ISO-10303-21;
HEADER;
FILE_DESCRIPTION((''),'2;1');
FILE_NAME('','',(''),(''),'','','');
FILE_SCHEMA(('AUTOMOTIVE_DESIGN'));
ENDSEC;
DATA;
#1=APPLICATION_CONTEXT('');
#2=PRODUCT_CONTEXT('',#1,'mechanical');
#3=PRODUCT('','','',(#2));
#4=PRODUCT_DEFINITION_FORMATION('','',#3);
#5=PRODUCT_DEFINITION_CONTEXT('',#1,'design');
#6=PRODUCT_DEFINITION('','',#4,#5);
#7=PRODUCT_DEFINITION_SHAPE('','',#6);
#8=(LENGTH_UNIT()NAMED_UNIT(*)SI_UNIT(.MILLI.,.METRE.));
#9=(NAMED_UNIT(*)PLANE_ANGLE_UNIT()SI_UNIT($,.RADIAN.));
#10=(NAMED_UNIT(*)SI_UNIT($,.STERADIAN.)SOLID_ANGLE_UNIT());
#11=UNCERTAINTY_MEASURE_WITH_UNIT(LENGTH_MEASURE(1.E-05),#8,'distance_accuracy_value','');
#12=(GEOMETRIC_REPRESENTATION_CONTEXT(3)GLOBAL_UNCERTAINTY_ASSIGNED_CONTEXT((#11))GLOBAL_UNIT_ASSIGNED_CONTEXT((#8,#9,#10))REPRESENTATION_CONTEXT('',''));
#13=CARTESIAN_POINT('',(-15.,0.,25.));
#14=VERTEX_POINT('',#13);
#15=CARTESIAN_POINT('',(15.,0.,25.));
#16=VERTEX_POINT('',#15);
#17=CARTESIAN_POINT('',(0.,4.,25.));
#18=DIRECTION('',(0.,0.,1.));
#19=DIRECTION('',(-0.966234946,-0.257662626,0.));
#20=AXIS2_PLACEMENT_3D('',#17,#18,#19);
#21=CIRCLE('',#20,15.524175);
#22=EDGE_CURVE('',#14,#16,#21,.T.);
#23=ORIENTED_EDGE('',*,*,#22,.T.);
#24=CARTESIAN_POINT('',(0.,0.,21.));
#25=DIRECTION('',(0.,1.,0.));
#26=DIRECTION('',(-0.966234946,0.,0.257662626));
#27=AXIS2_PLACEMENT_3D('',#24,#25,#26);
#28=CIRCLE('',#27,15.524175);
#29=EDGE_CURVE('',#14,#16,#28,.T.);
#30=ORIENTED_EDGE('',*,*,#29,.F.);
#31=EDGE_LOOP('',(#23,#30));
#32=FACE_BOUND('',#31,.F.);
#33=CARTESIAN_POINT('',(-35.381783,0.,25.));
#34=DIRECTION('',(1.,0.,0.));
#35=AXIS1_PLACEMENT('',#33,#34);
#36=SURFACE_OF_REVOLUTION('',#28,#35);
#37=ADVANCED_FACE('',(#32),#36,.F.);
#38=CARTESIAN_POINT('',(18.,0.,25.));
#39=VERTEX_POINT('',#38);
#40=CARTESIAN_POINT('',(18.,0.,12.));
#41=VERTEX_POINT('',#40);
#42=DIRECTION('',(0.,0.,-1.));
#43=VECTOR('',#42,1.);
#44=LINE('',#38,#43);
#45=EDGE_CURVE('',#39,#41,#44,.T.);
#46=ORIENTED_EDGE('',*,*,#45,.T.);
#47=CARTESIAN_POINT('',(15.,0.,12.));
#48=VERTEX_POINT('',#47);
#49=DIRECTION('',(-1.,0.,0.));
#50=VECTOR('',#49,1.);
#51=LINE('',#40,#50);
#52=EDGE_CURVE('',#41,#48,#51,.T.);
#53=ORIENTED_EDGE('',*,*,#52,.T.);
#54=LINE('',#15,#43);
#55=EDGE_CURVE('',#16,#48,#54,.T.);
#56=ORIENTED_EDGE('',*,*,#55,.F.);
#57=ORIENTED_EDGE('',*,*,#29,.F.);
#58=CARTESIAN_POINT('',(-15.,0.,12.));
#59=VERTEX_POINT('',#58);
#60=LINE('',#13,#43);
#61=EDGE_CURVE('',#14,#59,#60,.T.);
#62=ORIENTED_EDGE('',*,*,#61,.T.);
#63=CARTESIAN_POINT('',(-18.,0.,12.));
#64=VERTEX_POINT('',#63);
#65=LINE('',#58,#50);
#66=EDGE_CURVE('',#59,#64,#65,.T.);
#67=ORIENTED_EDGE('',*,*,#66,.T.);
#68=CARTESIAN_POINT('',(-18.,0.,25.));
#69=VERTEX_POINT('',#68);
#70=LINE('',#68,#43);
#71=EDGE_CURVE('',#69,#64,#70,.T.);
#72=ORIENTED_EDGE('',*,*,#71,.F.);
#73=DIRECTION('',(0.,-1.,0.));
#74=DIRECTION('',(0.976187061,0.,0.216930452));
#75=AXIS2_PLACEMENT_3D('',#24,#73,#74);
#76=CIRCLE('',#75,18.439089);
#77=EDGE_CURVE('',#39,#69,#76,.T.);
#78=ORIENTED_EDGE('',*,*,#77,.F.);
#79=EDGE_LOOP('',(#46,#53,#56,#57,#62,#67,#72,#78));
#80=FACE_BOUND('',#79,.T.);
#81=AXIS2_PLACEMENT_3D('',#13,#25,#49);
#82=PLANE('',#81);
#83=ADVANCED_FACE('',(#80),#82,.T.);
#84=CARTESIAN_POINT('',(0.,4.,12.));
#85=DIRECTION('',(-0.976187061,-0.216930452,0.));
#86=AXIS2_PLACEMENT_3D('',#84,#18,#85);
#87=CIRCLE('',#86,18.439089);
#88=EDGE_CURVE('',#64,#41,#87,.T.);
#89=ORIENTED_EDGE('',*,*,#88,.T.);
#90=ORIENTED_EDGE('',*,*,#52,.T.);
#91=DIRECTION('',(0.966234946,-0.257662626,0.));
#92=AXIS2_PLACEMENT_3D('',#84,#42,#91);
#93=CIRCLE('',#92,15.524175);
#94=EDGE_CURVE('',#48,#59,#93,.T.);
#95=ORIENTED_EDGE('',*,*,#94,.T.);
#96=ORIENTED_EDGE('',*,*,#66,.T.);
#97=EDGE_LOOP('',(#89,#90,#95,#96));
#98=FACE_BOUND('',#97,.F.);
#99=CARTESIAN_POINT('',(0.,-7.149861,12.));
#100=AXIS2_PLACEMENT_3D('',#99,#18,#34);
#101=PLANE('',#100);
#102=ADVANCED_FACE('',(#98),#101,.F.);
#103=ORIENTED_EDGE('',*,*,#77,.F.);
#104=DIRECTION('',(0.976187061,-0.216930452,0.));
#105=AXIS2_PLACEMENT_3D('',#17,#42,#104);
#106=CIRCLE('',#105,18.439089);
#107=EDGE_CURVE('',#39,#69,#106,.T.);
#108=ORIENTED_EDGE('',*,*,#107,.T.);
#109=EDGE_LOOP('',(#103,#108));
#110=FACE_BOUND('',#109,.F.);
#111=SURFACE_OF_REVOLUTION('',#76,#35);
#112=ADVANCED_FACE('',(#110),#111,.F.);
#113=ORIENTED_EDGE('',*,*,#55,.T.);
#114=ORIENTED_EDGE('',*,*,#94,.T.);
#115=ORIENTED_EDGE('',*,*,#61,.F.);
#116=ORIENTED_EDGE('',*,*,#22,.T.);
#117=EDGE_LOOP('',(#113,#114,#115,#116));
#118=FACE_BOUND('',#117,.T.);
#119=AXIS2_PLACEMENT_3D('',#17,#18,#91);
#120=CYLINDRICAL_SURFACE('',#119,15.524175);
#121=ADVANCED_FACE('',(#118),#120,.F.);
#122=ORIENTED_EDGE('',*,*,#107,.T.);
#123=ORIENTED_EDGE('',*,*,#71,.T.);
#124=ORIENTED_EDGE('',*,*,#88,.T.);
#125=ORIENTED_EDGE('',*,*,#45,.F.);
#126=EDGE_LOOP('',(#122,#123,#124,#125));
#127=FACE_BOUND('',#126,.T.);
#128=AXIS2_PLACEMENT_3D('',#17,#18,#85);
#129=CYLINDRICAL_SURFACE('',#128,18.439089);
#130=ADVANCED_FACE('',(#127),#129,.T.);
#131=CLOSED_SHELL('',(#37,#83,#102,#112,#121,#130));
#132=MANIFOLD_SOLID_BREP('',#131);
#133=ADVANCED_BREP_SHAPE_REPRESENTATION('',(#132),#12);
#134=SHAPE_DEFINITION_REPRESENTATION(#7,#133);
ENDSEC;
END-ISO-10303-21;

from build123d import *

# Parameters (mm, degrees)
F2_ANGLE = -90
F4_DEPTH = 13


with BuildPart() as f2:
    # F1 (on Front) → F2 (revolve)
    with BuildSketch(Plane.XZ):
        with BuildLine():
            ThreePointArc((18, 25), (0, 39.439089), (-18, 25))
            Line((-18, 25), (-15, 25))
            ThreePointArc((-15, 25), (0, 36.524175), (15, 25))
            Line((15, 25), (18, 25))
        make_face()
    revolve(axis=Axis((-35.381783, 0, 25), (-1, 0, 0)), revolution_arc=F2_ANGLE)

    # F3 (on offset) → F4 (join)
    with BuildSketch(Plane.XY.offset(25)):
        with BuildLine():
            ThreePointArc((-18, 0), (0, -14.439089), (18, 0))
            Line((18, 0), (15, 0))
            ThreePointArc((15, 0), (0, -11.524175), (-15, 0))
            Line((-15, 0), (-18, 0))
        make_face()
    extrude(amount=-F4_DEPTH)


solid = f2.part
